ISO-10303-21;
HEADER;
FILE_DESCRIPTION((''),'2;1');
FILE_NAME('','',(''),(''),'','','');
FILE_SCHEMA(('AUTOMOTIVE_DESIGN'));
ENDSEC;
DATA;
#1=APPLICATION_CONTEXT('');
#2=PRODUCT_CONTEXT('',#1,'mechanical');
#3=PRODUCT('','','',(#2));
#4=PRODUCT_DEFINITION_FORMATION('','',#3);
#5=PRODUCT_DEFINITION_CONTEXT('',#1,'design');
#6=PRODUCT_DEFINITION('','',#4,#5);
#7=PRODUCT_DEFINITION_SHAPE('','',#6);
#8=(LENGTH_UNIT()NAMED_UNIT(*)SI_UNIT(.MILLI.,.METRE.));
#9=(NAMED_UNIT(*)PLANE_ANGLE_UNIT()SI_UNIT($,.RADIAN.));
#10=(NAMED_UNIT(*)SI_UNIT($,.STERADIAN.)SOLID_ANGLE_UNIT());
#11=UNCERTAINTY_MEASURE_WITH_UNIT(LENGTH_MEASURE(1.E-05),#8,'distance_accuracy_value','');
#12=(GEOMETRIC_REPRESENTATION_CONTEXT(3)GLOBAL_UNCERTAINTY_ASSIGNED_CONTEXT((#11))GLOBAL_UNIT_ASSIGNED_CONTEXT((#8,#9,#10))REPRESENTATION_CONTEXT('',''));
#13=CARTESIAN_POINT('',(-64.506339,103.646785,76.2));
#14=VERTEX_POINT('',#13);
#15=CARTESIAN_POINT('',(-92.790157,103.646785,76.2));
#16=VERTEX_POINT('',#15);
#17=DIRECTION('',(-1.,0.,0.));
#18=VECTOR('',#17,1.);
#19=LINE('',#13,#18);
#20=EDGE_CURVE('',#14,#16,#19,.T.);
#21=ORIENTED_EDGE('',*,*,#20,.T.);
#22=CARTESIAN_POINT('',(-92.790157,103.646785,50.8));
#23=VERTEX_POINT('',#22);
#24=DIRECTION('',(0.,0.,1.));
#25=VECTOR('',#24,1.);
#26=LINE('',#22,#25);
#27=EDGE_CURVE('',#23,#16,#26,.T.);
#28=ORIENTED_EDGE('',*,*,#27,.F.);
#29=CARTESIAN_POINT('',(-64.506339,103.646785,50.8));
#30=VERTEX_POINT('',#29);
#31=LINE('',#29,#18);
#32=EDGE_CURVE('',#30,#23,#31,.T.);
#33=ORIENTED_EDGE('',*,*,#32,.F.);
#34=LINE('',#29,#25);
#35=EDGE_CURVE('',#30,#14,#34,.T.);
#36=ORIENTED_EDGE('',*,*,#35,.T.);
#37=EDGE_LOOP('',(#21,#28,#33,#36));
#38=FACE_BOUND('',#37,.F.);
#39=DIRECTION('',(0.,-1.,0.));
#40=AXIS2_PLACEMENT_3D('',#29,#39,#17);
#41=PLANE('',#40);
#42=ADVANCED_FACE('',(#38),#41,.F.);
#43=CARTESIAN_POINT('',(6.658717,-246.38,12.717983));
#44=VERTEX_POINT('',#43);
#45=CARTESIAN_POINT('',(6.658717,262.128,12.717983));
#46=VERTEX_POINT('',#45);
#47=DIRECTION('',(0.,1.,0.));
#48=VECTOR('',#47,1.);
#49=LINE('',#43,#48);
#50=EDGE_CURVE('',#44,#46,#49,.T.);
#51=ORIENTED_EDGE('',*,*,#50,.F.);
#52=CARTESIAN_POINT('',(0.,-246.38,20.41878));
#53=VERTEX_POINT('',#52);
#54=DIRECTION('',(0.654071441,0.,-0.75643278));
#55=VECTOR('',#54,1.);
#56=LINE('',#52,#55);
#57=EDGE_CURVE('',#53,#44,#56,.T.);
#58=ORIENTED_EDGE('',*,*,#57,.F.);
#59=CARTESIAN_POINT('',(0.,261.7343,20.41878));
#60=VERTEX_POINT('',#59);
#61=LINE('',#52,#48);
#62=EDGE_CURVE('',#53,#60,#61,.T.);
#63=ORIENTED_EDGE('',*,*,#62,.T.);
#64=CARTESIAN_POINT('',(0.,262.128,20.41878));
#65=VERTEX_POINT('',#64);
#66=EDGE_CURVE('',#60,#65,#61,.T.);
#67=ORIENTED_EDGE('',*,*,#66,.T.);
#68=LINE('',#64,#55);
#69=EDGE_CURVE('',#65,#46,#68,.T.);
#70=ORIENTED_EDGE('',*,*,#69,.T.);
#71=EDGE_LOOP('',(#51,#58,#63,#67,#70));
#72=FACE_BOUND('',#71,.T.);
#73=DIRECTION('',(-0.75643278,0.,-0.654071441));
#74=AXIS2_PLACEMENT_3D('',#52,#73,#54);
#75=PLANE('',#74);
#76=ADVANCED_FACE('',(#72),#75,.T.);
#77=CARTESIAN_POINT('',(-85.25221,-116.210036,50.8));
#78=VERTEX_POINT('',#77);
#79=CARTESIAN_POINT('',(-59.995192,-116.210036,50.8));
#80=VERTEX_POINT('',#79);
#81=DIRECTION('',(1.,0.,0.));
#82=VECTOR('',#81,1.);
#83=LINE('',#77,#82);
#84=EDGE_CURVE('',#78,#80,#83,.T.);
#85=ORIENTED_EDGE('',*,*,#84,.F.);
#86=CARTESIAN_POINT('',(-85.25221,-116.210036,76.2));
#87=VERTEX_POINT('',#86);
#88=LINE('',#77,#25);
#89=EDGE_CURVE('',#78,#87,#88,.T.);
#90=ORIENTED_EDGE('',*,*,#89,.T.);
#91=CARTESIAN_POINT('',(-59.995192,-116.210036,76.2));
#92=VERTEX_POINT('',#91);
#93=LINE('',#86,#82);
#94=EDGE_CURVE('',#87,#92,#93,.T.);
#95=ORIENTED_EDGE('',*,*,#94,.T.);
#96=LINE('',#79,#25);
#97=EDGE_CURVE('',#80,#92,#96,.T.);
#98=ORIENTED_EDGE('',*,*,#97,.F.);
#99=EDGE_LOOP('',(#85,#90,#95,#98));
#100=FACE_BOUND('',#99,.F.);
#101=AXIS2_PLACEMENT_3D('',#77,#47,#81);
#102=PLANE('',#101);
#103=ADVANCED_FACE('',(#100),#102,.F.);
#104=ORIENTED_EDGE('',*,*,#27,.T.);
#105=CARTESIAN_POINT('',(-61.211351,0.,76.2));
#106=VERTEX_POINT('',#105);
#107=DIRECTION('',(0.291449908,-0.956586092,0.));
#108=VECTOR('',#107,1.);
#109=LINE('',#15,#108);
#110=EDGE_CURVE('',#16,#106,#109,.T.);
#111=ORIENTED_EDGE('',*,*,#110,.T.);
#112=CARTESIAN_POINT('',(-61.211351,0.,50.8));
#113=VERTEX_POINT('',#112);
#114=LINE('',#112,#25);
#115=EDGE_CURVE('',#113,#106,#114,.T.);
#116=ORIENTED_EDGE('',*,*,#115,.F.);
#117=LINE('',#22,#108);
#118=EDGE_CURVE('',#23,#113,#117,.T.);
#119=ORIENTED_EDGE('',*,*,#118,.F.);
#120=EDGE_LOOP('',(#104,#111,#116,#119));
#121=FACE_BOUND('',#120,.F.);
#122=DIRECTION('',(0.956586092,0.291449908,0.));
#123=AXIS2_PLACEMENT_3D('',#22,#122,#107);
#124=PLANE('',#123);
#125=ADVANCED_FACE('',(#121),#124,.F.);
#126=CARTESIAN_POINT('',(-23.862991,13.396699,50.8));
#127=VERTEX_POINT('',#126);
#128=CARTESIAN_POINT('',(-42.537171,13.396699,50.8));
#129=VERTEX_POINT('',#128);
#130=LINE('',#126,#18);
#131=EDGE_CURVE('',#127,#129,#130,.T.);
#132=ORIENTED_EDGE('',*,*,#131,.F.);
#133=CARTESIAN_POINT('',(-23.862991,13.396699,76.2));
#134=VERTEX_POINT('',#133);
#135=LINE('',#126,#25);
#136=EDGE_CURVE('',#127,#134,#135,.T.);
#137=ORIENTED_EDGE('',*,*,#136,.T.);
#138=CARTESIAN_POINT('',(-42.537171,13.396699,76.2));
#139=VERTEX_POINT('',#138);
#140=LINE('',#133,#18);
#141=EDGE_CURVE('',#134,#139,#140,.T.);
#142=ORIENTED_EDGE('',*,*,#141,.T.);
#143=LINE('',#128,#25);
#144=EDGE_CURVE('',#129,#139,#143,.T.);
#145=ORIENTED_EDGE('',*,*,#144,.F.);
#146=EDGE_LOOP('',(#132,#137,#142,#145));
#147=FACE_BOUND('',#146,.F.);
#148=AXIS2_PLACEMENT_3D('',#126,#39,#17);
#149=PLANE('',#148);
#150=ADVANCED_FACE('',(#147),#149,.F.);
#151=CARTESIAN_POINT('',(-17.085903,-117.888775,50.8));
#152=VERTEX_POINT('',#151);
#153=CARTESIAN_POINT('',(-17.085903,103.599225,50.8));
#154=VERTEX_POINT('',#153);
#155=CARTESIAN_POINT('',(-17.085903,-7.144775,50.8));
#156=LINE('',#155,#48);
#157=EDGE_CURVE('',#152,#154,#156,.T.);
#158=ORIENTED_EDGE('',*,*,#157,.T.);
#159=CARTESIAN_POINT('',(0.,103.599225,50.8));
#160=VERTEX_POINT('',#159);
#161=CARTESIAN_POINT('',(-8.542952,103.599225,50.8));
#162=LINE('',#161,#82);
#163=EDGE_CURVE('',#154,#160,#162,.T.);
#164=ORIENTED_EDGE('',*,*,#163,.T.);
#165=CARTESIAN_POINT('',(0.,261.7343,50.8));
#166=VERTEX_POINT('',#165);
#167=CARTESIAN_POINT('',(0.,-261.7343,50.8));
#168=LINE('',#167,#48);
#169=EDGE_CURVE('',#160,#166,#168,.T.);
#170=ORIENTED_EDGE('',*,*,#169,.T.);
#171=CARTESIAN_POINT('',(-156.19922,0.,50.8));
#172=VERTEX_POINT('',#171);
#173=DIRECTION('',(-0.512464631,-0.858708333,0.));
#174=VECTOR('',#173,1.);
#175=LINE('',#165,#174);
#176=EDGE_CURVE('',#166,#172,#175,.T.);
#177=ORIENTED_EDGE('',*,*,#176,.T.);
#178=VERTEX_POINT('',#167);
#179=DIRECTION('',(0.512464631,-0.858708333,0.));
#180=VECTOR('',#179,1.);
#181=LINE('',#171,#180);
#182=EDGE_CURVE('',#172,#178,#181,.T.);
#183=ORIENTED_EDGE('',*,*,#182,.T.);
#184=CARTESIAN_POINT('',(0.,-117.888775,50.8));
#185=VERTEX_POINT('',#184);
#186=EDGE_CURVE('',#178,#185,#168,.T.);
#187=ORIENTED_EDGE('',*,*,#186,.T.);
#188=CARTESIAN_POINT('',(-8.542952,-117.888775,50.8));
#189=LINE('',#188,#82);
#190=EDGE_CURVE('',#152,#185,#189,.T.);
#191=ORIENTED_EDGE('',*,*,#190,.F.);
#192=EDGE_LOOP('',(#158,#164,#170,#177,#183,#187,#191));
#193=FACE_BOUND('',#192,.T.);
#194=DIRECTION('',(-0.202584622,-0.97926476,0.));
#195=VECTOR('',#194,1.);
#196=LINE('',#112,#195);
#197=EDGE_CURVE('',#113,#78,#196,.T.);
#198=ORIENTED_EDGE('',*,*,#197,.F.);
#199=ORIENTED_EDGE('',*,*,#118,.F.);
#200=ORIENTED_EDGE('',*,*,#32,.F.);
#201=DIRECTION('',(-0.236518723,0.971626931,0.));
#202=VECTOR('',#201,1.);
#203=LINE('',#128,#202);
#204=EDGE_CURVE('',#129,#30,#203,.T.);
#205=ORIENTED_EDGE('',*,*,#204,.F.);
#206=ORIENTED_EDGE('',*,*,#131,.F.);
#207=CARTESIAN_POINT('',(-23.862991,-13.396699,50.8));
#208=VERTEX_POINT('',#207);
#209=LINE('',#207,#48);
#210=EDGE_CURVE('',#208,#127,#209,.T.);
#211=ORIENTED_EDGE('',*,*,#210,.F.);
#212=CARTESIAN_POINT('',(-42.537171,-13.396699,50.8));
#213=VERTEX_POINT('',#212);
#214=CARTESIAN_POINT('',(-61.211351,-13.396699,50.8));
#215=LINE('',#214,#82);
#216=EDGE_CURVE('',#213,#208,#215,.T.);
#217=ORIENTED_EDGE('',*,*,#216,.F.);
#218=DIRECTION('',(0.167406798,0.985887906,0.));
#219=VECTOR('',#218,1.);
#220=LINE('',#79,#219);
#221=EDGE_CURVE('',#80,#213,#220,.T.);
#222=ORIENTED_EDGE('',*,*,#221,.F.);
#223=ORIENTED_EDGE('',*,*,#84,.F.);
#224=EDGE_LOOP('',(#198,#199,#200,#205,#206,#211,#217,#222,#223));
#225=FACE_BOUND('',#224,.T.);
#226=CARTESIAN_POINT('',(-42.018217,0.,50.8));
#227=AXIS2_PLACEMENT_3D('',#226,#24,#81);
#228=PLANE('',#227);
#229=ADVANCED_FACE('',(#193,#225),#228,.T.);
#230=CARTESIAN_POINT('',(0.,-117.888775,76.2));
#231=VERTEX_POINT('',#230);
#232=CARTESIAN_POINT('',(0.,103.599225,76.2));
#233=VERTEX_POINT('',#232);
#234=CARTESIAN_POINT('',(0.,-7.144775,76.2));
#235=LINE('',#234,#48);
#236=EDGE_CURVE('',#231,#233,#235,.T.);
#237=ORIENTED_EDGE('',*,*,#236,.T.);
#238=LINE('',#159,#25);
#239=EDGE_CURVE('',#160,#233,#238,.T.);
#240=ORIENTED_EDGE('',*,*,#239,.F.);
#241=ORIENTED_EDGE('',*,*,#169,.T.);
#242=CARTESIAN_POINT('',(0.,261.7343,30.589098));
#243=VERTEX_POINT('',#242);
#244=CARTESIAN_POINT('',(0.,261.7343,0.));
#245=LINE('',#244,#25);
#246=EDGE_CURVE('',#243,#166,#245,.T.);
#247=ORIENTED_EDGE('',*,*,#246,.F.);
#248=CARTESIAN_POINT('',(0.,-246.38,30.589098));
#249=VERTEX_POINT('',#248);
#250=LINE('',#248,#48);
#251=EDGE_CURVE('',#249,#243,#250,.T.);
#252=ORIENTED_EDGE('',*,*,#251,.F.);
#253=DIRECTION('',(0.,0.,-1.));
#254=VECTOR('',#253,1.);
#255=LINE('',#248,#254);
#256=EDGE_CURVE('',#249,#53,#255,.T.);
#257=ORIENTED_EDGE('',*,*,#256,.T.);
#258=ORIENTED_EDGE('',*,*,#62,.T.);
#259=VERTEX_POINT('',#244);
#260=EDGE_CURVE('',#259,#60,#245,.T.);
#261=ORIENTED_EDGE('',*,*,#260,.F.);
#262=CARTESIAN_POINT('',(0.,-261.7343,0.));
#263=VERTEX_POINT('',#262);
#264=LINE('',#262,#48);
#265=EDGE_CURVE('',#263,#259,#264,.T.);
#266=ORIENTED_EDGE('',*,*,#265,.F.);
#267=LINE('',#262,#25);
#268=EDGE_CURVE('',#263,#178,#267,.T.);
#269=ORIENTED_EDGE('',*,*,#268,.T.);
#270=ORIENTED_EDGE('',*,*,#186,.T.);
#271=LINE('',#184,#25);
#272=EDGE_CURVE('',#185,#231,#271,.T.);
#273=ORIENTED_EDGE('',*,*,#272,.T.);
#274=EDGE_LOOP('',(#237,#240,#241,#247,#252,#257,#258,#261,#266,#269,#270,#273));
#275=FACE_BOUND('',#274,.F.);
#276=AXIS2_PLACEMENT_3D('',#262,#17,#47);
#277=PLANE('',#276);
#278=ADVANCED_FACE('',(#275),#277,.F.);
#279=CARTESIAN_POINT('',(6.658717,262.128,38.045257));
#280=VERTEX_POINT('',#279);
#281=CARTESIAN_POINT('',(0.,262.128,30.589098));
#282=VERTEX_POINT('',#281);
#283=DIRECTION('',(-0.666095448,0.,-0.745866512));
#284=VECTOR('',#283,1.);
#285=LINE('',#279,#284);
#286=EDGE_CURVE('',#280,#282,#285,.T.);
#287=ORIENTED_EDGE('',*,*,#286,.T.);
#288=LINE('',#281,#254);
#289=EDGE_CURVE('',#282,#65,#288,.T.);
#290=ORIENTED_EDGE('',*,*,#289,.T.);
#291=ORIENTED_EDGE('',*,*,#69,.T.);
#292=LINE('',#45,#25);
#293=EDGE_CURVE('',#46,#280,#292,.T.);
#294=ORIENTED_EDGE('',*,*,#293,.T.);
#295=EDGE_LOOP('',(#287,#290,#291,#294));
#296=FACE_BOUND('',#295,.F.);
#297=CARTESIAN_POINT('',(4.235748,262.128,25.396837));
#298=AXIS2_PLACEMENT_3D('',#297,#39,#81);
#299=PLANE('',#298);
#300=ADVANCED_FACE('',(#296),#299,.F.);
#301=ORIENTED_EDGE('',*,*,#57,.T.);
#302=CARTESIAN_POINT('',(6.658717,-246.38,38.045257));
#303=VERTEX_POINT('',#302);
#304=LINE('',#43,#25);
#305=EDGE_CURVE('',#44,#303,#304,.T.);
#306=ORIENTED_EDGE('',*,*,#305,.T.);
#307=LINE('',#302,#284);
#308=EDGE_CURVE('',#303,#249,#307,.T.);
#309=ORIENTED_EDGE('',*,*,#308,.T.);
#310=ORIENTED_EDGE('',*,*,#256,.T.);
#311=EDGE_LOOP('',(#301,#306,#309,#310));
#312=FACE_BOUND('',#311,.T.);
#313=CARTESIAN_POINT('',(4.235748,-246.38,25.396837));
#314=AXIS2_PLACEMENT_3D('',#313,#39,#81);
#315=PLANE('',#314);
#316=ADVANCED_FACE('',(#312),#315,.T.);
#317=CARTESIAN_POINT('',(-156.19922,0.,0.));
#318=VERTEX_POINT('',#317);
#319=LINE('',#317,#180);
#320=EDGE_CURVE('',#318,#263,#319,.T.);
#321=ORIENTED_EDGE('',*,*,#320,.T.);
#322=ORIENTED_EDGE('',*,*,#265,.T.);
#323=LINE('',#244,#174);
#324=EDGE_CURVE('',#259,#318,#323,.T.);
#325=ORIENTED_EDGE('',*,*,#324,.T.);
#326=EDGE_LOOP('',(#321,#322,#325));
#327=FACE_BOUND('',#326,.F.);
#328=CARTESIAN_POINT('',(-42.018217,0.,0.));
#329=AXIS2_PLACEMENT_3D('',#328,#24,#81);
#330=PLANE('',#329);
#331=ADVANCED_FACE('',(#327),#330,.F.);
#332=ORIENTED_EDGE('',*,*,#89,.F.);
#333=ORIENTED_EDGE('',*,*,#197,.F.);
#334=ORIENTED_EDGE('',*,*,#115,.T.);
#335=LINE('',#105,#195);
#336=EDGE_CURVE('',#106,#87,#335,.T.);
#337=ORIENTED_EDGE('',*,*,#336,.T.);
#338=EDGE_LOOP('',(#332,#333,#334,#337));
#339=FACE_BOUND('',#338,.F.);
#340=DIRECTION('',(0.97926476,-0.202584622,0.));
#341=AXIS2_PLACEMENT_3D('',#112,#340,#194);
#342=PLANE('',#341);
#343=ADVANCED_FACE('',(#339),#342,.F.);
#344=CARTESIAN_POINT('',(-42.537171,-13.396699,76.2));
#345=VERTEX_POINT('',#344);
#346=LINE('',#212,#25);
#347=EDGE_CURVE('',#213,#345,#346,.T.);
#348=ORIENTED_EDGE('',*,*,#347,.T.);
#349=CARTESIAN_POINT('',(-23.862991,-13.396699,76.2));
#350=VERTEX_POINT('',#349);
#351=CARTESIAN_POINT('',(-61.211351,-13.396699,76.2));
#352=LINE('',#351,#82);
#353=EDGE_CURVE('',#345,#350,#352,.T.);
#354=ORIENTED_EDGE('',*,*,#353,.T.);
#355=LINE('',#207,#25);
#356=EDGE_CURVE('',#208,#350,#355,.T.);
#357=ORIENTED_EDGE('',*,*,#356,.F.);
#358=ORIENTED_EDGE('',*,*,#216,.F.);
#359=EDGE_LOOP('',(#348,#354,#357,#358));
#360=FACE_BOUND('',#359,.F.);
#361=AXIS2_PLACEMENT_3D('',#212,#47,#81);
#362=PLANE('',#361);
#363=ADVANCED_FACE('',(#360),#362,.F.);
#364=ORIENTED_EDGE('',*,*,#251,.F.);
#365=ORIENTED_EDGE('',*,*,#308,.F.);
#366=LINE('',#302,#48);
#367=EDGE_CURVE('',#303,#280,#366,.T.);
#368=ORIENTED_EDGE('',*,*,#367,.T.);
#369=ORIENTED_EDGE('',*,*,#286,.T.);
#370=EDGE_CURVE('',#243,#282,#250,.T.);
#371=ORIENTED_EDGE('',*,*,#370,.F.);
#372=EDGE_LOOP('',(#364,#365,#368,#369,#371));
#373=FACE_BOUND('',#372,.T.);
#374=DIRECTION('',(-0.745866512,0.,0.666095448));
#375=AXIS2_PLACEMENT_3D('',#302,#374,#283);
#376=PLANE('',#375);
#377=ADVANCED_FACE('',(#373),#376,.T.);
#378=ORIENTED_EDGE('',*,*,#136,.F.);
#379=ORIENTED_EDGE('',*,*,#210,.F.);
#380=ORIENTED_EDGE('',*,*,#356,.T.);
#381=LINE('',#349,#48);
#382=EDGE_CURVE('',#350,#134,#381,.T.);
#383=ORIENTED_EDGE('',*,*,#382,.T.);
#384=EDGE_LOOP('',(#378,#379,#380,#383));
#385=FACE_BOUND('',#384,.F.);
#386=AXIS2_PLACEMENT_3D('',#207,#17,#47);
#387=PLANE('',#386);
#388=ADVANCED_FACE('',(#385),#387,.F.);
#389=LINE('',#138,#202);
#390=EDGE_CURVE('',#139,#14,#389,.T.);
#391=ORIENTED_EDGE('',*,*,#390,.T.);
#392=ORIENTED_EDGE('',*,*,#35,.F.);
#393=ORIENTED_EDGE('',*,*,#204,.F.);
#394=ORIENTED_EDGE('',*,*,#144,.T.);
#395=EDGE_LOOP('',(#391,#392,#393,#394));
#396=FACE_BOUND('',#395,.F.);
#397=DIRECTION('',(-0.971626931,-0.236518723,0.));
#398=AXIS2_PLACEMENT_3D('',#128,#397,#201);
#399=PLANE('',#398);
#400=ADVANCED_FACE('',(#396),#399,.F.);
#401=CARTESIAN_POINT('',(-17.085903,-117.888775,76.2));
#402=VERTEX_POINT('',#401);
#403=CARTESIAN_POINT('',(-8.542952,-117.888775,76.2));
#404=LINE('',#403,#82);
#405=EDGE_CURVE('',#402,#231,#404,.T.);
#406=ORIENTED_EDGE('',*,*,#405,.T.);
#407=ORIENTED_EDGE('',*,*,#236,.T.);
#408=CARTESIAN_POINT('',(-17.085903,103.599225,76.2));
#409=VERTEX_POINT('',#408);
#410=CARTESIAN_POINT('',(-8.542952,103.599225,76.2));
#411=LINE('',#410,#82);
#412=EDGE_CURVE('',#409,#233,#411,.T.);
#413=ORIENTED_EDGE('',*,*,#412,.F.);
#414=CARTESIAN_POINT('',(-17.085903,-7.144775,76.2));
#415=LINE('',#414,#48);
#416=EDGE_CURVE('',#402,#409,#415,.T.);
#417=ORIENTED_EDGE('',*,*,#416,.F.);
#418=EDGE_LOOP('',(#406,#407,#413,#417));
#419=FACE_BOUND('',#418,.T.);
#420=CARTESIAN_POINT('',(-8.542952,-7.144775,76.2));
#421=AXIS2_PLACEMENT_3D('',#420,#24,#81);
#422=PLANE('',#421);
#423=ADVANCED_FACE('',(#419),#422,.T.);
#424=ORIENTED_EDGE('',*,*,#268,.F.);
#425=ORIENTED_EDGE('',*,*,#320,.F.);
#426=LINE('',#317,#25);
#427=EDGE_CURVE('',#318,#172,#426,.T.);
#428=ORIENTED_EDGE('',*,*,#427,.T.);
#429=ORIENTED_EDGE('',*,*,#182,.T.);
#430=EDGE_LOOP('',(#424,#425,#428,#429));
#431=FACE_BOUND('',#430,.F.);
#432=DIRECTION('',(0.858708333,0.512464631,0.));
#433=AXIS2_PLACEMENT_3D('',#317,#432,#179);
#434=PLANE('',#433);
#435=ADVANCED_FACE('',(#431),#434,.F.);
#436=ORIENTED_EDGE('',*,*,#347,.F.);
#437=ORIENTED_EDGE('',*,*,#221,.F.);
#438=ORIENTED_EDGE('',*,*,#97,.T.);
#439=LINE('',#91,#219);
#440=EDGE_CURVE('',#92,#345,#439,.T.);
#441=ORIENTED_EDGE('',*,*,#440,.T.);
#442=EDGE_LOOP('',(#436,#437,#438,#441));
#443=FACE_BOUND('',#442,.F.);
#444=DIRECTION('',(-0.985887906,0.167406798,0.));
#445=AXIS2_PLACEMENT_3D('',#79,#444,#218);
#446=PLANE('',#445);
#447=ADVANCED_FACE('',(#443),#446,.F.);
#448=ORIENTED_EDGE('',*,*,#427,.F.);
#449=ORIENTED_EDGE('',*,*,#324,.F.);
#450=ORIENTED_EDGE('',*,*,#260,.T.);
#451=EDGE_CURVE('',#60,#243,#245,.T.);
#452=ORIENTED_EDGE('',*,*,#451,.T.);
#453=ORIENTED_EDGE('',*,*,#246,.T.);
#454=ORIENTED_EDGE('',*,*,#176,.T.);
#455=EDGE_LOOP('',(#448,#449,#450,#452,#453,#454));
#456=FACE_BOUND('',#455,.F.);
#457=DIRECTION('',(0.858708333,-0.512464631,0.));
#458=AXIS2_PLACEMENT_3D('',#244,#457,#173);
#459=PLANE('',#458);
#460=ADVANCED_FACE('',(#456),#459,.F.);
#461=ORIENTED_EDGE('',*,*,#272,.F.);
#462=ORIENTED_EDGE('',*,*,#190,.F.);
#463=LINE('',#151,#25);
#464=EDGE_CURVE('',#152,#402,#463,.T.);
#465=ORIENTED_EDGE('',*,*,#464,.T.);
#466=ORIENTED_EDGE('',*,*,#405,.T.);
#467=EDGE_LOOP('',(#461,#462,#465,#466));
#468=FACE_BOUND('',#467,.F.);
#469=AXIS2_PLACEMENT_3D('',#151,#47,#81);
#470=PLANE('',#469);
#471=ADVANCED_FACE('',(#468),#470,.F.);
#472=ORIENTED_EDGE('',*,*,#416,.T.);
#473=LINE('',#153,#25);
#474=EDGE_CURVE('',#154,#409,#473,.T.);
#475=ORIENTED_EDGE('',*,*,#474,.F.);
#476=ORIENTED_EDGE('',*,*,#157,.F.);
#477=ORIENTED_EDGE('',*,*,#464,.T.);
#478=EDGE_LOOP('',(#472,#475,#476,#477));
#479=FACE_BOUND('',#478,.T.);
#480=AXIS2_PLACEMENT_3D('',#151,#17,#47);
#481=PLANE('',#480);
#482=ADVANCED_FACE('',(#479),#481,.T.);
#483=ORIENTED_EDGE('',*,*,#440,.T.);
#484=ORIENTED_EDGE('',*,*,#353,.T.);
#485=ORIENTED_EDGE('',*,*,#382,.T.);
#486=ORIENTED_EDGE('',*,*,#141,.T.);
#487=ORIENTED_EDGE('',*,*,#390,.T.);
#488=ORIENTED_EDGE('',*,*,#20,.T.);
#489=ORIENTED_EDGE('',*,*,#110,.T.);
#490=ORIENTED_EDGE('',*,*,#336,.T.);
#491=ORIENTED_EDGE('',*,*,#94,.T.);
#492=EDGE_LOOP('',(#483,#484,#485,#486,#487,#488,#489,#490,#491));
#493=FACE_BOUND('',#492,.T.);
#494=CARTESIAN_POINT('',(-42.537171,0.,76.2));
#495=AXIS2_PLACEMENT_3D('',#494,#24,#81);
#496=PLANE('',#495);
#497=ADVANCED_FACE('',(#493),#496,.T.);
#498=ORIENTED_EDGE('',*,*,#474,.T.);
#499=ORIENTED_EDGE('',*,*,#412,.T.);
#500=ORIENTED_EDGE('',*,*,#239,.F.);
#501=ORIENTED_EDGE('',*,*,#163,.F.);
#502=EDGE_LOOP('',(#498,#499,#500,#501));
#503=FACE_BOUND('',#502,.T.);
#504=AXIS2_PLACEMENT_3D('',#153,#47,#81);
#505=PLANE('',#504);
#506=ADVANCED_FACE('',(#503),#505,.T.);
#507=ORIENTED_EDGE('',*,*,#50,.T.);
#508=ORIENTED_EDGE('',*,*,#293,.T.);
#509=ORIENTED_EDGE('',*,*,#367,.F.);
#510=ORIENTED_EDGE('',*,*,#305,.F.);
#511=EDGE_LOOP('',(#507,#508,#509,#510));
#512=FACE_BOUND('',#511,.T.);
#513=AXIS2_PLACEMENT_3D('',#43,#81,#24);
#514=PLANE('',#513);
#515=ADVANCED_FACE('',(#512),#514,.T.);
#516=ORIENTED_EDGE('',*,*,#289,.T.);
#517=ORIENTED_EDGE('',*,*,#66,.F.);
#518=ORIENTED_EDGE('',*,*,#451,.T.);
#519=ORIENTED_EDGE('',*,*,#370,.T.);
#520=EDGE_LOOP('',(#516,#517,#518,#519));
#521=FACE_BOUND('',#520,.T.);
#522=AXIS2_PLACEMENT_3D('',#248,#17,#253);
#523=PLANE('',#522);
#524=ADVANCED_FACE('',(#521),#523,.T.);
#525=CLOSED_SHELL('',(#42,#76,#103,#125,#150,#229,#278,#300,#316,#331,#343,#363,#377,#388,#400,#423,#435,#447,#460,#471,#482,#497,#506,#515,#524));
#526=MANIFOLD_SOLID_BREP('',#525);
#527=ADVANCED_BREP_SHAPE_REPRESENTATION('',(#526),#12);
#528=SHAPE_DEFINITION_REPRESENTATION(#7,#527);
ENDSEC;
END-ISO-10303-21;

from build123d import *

# Parameters (mm, degrees)
F1_DEPTH = 50.8
F3_W     = 17.0859034664
F3_H     = 221.488
F4_DEPTH = 25.4
F8_DEPTH = 508.508


with BuildPart() as f1:
    # F0 (on Top) → F1 (new body)
    with BuildSketch(Plane.XY):
        Polygon((0, -261.7343), (0, 261.7343), (-156.1992195996, 0), align=None)
    extrude(amount=F1_DEPTH)

    # F3 (on offset) → F4 (join)
    with BuildSketch(Plane.XY.offset(50.8)):
        with Locations((-8.5429517332, -7.1447751335)):
            Rectangle(F3_W, F3_H)
        Polygon((-42.5371713936, -13.3966989815), (-23.862991482, -13.3966989815), (-23.862991482, 13.3966989815), (-42.5371713936, 13.3966989815), (-61.2113513052, 13.3966989815), (-61.2113513052, 0), (-61.2113513052, -13.3966989815), align=None)
        Polygon((-59.9951921275, -116.2100359797), (-42.5371713936, -13.3966989815), (-61.2113513052, -13.3966989815), (-61.2113513052, 0), (-85.2522104979, -116.2100359797), align=None)
        Polygon((-61.2113513052, 13.3966989815), (-42.5371713936, 13.3966989815), (-64.5063391738, 103.6467850208), (-92.7901566029, 103.6467850208), (-61.2113513052, 0), align=None)
    extrude(amount=F4_DEPTH)

    # F7 (on offset) → F8 (join)
    with BuildSketch(Plane.XZ.offset(246.38)):
        Polygon((0, 30.5890981108), (0, 20.4187799245), (6.6587165929, 12.7179827541), (6.6587165929, 38.0452573299), align=None)
    extrude(amount=-F8_DEPTH)


solid = f1.part
